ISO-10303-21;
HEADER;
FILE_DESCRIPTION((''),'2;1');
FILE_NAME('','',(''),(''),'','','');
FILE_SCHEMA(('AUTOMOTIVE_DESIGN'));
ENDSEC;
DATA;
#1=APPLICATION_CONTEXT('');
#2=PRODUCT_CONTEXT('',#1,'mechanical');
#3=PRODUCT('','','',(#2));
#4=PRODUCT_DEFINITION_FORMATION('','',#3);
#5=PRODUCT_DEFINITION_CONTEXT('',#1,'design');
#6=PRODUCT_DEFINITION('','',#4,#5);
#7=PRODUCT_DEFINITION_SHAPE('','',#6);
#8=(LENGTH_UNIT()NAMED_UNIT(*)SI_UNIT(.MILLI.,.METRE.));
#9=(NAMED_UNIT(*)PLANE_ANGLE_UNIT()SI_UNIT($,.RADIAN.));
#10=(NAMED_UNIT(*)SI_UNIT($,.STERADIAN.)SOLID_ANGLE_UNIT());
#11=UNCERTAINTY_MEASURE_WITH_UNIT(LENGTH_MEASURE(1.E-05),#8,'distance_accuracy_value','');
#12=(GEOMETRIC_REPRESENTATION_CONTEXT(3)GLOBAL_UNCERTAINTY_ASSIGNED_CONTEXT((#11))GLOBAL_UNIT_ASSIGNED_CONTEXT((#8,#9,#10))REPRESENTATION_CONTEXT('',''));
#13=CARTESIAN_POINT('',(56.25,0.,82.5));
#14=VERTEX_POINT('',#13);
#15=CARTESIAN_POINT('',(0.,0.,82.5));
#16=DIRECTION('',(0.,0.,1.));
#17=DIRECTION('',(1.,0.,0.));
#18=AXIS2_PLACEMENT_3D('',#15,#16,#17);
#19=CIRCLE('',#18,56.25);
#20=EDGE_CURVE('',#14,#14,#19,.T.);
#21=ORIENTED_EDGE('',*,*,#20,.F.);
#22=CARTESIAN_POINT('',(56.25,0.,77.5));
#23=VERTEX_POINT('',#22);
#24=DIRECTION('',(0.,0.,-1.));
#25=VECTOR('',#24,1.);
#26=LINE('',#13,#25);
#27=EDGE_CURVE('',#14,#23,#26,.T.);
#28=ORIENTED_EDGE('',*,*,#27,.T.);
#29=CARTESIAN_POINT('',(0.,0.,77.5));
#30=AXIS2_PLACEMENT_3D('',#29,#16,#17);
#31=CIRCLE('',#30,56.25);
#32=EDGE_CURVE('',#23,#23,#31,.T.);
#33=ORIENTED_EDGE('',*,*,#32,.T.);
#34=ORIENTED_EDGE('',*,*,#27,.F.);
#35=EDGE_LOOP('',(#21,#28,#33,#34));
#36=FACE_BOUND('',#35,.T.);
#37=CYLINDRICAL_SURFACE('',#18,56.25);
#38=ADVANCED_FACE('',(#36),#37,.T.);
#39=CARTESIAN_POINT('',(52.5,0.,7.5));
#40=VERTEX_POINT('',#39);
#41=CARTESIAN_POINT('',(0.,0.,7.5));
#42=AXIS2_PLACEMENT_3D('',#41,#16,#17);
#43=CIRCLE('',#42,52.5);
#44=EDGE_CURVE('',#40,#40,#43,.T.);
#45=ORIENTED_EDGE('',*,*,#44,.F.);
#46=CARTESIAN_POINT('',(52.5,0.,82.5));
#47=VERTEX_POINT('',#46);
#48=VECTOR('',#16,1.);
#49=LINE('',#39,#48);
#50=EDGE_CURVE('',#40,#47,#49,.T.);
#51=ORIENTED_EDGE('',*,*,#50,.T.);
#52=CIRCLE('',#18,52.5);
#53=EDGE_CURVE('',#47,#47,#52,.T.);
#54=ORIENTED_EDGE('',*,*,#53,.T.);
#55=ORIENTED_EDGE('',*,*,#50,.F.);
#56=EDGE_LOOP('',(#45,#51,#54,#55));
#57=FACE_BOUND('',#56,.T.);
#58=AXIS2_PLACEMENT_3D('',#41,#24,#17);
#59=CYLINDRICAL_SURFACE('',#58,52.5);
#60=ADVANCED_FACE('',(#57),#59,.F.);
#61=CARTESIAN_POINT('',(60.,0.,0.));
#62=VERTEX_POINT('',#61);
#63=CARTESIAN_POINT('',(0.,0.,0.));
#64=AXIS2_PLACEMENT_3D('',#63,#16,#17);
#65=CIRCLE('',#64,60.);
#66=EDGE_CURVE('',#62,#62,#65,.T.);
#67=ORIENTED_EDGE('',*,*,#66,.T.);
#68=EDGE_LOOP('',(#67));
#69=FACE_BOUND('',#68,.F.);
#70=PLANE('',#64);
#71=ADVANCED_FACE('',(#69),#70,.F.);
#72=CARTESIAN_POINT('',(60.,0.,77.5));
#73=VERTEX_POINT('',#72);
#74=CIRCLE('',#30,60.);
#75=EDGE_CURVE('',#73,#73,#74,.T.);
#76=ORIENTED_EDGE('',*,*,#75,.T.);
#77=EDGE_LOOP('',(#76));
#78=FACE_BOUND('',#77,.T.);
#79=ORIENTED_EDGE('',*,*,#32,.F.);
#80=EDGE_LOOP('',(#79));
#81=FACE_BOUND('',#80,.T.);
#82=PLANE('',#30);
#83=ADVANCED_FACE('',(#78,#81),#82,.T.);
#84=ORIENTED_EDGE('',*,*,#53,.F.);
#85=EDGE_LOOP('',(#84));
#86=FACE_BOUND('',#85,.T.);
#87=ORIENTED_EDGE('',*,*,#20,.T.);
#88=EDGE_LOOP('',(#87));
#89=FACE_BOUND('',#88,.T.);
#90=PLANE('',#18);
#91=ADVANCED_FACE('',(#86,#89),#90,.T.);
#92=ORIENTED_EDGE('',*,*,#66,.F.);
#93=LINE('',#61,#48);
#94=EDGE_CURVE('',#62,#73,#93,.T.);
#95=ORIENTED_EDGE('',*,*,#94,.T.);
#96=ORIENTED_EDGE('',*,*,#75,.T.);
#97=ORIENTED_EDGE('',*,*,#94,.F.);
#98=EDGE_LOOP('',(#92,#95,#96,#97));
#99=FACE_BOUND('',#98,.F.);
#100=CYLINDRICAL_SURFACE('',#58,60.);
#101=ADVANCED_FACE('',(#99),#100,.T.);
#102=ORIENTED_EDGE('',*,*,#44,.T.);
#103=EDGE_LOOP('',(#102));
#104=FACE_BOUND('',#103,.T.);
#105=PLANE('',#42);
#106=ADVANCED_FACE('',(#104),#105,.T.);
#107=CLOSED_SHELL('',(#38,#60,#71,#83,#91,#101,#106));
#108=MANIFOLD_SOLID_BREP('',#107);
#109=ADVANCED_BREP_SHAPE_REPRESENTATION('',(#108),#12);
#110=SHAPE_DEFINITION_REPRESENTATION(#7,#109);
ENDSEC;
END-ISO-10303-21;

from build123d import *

# Parameters (mm, degrees)
F0_R     = 60
F1_DEPTH = 7.5
F2_R     = 60
F2_R_2   = 52.5
F3_DEPTH = 75
F4_R     = 60
F4_R_2   = 56.25
F5_DEPTH = 5


with BuildPart() as f1:
    # F0 (on Top) → F1 (new body)
    with BuildSketch(Plane.XY):
        Circle(F0_R)
    extrude(amount=F1_DEPTH)

    # F2 (on face) → F3 (join)
    with BuildSketch(Plane.XY.offset(7.5)):
        Circle(F2_R)
        Circle(F2_R_2, mode=Mode.SUBTRACT)
    extrude(amount=F3_DEPTH)

    # F4 (on face) → F5 (cut)
    with BuildSketch(Plane.XY.offset(82.5)):
        Circle(F4_R)
        Circle(F4_R_2, mode=Mode.SUBTRACT)
    extrude(amount=-F5_DEPTH, mode=Mode.SUBTRACT)


solid = f1.part
